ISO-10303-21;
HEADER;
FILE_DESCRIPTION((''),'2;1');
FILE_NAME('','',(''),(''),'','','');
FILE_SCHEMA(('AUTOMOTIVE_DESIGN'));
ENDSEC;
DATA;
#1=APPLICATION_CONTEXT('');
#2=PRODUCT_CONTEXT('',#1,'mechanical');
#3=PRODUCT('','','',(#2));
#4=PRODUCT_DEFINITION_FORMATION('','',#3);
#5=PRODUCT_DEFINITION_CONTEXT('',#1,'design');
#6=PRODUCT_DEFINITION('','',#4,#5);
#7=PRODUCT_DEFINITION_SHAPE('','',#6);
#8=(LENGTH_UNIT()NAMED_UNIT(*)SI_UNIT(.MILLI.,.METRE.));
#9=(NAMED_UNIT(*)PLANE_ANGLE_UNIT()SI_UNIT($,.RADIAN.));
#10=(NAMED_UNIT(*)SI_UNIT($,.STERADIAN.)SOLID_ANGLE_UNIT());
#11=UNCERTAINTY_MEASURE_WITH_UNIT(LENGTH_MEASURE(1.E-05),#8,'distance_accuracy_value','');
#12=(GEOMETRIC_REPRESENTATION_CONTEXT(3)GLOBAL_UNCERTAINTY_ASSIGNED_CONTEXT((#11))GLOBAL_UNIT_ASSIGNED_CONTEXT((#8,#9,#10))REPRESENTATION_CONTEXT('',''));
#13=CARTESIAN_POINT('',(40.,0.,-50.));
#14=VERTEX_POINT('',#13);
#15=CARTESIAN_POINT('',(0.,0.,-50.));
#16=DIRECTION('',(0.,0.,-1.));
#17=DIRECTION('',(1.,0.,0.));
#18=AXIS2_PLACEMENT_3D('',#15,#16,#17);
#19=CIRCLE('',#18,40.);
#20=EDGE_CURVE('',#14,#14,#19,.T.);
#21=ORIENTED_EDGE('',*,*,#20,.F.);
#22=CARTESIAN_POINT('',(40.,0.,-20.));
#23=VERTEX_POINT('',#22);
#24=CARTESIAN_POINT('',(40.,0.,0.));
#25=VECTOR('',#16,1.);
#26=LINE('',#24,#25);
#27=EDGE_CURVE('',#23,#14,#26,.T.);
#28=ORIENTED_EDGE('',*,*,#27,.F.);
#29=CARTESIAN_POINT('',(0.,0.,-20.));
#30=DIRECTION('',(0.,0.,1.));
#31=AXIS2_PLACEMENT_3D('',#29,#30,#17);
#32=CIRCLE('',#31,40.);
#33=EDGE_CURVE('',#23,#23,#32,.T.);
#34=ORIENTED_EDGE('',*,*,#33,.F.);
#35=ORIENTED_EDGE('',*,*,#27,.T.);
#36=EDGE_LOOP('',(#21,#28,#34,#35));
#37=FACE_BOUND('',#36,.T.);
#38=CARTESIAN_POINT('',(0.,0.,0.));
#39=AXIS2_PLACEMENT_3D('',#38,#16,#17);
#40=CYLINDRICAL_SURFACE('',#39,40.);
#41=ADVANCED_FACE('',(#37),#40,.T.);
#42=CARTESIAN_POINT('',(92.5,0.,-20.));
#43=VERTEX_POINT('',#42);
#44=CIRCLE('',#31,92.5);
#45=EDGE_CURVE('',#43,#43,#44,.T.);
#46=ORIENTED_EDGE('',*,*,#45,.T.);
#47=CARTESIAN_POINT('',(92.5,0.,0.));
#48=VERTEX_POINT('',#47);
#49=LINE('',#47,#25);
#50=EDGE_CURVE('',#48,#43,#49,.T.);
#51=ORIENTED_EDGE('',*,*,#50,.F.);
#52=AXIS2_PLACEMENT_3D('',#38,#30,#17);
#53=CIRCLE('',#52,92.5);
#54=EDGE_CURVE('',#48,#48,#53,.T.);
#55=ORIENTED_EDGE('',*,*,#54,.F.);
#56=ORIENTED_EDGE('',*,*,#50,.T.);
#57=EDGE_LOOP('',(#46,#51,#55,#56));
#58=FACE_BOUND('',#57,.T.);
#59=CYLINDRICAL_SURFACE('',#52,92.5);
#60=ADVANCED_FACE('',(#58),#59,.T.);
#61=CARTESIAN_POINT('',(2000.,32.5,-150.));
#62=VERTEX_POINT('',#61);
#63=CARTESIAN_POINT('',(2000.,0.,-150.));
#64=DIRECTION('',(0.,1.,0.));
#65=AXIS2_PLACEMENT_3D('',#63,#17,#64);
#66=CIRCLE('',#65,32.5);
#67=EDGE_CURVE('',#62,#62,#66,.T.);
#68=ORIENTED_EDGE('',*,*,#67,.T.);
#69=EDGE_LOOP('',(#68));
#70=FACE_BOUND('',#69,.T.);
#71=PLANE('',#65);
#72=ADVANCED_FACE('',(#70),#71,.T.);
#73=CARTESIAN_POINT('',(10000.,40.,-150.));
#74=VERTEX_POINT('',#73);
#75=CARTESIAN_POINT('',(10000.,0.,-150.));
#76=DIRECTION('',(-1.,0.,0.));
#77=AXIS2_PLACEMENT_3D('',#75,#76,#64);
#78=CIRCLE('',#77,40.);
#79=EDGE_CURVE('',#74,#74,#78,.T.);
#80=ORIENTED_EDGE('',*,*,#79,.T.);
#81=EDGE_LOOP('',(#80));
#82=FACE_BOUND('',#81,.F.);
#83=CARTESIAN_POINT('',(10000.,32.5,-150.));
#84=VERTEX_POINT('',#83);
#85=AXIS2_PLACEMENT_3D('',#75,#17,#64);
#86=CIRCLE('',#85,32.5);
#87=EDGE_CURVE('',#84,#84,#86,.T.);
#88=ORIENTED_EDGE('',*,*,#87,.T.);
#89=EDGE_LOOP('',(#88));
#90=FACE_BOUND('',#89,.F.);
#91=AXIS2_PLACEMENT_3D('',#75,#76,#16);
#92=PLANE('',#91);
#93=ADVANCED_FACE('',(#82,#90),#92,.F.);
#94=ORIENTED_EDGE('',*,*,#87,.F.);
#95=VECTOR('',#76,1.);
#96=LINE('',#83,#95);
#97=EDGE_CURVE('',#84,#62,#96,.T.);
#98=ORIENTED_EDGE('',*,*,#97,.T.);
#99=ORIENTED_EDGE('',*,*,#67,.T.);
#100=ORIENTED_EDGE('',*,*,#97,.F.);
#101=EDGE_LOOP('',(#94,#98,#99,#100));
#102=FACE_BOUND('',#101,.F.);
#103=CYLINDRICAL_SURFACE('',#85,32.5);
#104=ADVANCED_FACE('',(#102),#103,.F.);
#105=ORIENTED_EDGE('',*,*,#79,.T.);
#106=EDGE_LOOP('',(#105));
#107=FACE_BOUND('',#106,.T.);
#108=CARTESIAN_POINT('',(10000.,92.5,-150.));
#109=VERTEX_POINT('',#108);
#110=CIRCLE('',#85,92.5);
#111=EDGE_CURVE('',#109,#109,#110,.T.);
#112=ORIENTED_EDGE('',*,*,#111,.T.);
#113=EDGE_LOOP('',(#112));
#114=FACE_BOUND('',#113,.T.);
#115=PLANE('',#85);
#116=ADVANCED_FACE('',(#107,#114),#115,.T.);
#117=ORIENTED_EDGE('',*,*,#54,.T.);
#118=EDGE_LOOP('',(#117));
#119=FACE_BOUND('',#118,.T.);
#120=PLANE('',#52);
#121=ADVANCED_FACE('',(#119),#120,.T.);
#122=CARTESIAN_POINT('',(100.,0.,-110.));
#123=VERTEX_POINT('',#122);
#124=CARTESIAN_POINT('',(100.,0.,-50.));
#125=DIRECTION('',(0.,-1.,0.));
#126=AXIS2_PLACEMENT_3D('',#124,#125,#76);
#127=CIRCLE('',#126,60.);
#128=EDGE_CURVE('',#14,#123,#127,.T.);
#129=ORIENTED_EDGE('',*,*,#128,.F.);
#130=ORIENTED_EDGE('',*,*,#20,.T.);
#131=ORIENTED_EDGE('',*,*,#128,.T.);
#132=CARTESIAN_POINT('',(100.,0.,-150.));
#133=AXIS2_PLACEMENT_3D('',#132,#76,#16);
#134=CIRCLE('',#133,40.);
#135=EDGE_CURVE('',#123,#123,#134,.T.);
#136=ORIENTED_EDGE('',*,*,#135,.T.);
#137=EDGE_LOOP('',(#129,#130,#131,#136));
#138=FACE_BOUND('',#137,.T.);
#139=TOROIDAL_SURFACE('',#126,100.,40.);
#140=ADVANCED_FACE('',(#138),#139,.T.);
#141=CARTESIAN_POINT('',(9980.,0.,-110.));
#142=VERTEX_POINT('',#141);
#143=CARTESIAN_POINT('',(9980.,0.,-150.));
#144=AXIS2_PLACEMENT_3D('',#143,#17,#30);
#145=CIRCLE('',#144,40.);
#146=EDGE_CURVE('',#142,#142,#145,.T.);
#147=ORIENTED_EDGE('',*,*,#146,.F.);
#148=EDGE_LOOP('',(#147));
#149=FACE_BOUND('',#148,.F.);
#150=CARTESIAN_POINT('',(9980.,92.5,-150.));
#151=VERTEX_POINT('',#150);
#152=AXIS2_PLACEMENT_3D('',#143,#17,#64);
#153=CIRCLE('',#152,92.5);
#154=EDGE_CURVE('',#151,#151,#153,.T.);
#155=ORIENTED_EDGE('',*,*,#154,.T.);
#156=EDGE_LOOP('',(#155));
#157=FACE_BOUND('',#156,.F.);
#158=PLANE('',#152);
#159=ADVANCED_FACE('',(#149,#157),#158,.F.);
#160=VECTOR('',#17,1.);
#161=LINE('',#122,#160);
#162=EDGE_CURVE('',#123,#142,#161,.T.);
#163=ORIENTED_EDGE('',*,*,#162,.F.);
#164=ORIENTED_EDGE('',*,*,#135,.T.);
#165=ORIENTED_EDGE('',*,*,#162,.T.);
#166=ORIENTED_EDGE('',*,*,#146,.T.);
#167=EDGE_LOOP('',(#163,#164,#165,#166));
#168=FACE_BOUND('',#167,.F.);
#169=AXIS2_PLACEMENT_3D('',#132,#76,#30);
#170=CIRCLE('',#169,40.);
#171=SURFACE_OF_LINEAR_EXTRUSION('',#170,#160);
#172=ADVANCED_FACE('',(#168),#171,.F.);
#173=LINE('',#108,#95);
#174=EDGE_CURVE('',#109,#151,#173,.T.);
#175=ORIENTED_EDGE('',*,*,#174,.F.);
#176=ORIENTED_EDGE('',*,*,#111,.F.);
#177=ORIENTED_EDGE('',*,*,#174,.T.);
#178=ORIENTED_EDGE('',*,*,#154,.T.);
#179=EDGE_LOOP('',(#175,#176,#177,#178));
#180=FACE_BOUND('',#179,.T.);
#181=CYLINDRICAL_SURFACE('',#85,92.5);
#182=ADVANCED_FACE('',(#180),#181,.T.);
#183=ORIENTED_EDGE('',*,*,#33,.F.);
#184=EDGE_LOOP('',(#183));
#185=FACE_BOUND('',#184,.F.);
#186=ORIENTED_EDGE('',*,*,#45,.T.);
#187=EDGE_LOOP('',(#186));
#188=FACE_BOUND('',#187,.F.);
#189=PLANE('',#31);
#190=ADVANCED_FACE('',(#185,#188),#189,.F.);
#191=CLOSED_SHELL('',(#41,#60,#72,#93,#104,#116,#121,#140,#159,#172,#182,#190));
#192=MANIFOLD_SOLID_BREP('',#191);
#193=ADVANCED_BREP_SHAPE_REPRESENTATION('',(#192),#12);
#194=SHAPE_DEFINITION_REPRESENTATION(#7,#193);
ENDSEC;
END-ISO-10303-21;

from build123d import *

# Parameters (mm, degrees)
F1_R     = 92.5
F1_R_2   = 40
F2_DEPTH = 20
F4_R     = 92.5
F4_R_2   = 40
F5_DEPTH = 20
F6_R     = 32.5
F7_DEPTH = 8000


with BuildPart() as f2:
    # F1 (on Top) → F2 (new body)
    with BuildSketch(Plane.XY):
        Circle(F1_R)
        Circle(F1_R_2, mode=Mode.SUBTRACT)
    extrude(amount=-F2_DEPTH)

    # F3: sweep along a path in F0
    with BuildLine(Plane.XZ) as f3_path:
        Line((0, 0), (0, -50))
        ThreePointArc((0, -50), (29.2893218813, -120.7106781187), (100, -150))
        Line((100, -150), (10000, -150))
    # F1 (on Top) → F3 (sweep)
    with BuildSketch(Plane.XY):
        Circle(F1_R_2)
    sweep(path=f3_path.line)

    # F4 (on face) → F5 (join)
    with BuildSketch(Plane.YZ.offset(10000)):
        with Locations((0, -150)):
            Circle(F4_R)
        with Locations((0, -150)):
            Circle(F4_R_2, mode=Mode.SUBTRACT)
    extrude(amount=-F5_DEPTH)

    # F6 (on face) → F7 (cut)
    with BuildSketch(Plane.YZ.offset(10000)):
        with Locations((0, -150)):
            Circle(F6_R)
    extrude(amount=-F7_DEPTH, mode=Mode.SUBTRACT)


solid = f2.part
